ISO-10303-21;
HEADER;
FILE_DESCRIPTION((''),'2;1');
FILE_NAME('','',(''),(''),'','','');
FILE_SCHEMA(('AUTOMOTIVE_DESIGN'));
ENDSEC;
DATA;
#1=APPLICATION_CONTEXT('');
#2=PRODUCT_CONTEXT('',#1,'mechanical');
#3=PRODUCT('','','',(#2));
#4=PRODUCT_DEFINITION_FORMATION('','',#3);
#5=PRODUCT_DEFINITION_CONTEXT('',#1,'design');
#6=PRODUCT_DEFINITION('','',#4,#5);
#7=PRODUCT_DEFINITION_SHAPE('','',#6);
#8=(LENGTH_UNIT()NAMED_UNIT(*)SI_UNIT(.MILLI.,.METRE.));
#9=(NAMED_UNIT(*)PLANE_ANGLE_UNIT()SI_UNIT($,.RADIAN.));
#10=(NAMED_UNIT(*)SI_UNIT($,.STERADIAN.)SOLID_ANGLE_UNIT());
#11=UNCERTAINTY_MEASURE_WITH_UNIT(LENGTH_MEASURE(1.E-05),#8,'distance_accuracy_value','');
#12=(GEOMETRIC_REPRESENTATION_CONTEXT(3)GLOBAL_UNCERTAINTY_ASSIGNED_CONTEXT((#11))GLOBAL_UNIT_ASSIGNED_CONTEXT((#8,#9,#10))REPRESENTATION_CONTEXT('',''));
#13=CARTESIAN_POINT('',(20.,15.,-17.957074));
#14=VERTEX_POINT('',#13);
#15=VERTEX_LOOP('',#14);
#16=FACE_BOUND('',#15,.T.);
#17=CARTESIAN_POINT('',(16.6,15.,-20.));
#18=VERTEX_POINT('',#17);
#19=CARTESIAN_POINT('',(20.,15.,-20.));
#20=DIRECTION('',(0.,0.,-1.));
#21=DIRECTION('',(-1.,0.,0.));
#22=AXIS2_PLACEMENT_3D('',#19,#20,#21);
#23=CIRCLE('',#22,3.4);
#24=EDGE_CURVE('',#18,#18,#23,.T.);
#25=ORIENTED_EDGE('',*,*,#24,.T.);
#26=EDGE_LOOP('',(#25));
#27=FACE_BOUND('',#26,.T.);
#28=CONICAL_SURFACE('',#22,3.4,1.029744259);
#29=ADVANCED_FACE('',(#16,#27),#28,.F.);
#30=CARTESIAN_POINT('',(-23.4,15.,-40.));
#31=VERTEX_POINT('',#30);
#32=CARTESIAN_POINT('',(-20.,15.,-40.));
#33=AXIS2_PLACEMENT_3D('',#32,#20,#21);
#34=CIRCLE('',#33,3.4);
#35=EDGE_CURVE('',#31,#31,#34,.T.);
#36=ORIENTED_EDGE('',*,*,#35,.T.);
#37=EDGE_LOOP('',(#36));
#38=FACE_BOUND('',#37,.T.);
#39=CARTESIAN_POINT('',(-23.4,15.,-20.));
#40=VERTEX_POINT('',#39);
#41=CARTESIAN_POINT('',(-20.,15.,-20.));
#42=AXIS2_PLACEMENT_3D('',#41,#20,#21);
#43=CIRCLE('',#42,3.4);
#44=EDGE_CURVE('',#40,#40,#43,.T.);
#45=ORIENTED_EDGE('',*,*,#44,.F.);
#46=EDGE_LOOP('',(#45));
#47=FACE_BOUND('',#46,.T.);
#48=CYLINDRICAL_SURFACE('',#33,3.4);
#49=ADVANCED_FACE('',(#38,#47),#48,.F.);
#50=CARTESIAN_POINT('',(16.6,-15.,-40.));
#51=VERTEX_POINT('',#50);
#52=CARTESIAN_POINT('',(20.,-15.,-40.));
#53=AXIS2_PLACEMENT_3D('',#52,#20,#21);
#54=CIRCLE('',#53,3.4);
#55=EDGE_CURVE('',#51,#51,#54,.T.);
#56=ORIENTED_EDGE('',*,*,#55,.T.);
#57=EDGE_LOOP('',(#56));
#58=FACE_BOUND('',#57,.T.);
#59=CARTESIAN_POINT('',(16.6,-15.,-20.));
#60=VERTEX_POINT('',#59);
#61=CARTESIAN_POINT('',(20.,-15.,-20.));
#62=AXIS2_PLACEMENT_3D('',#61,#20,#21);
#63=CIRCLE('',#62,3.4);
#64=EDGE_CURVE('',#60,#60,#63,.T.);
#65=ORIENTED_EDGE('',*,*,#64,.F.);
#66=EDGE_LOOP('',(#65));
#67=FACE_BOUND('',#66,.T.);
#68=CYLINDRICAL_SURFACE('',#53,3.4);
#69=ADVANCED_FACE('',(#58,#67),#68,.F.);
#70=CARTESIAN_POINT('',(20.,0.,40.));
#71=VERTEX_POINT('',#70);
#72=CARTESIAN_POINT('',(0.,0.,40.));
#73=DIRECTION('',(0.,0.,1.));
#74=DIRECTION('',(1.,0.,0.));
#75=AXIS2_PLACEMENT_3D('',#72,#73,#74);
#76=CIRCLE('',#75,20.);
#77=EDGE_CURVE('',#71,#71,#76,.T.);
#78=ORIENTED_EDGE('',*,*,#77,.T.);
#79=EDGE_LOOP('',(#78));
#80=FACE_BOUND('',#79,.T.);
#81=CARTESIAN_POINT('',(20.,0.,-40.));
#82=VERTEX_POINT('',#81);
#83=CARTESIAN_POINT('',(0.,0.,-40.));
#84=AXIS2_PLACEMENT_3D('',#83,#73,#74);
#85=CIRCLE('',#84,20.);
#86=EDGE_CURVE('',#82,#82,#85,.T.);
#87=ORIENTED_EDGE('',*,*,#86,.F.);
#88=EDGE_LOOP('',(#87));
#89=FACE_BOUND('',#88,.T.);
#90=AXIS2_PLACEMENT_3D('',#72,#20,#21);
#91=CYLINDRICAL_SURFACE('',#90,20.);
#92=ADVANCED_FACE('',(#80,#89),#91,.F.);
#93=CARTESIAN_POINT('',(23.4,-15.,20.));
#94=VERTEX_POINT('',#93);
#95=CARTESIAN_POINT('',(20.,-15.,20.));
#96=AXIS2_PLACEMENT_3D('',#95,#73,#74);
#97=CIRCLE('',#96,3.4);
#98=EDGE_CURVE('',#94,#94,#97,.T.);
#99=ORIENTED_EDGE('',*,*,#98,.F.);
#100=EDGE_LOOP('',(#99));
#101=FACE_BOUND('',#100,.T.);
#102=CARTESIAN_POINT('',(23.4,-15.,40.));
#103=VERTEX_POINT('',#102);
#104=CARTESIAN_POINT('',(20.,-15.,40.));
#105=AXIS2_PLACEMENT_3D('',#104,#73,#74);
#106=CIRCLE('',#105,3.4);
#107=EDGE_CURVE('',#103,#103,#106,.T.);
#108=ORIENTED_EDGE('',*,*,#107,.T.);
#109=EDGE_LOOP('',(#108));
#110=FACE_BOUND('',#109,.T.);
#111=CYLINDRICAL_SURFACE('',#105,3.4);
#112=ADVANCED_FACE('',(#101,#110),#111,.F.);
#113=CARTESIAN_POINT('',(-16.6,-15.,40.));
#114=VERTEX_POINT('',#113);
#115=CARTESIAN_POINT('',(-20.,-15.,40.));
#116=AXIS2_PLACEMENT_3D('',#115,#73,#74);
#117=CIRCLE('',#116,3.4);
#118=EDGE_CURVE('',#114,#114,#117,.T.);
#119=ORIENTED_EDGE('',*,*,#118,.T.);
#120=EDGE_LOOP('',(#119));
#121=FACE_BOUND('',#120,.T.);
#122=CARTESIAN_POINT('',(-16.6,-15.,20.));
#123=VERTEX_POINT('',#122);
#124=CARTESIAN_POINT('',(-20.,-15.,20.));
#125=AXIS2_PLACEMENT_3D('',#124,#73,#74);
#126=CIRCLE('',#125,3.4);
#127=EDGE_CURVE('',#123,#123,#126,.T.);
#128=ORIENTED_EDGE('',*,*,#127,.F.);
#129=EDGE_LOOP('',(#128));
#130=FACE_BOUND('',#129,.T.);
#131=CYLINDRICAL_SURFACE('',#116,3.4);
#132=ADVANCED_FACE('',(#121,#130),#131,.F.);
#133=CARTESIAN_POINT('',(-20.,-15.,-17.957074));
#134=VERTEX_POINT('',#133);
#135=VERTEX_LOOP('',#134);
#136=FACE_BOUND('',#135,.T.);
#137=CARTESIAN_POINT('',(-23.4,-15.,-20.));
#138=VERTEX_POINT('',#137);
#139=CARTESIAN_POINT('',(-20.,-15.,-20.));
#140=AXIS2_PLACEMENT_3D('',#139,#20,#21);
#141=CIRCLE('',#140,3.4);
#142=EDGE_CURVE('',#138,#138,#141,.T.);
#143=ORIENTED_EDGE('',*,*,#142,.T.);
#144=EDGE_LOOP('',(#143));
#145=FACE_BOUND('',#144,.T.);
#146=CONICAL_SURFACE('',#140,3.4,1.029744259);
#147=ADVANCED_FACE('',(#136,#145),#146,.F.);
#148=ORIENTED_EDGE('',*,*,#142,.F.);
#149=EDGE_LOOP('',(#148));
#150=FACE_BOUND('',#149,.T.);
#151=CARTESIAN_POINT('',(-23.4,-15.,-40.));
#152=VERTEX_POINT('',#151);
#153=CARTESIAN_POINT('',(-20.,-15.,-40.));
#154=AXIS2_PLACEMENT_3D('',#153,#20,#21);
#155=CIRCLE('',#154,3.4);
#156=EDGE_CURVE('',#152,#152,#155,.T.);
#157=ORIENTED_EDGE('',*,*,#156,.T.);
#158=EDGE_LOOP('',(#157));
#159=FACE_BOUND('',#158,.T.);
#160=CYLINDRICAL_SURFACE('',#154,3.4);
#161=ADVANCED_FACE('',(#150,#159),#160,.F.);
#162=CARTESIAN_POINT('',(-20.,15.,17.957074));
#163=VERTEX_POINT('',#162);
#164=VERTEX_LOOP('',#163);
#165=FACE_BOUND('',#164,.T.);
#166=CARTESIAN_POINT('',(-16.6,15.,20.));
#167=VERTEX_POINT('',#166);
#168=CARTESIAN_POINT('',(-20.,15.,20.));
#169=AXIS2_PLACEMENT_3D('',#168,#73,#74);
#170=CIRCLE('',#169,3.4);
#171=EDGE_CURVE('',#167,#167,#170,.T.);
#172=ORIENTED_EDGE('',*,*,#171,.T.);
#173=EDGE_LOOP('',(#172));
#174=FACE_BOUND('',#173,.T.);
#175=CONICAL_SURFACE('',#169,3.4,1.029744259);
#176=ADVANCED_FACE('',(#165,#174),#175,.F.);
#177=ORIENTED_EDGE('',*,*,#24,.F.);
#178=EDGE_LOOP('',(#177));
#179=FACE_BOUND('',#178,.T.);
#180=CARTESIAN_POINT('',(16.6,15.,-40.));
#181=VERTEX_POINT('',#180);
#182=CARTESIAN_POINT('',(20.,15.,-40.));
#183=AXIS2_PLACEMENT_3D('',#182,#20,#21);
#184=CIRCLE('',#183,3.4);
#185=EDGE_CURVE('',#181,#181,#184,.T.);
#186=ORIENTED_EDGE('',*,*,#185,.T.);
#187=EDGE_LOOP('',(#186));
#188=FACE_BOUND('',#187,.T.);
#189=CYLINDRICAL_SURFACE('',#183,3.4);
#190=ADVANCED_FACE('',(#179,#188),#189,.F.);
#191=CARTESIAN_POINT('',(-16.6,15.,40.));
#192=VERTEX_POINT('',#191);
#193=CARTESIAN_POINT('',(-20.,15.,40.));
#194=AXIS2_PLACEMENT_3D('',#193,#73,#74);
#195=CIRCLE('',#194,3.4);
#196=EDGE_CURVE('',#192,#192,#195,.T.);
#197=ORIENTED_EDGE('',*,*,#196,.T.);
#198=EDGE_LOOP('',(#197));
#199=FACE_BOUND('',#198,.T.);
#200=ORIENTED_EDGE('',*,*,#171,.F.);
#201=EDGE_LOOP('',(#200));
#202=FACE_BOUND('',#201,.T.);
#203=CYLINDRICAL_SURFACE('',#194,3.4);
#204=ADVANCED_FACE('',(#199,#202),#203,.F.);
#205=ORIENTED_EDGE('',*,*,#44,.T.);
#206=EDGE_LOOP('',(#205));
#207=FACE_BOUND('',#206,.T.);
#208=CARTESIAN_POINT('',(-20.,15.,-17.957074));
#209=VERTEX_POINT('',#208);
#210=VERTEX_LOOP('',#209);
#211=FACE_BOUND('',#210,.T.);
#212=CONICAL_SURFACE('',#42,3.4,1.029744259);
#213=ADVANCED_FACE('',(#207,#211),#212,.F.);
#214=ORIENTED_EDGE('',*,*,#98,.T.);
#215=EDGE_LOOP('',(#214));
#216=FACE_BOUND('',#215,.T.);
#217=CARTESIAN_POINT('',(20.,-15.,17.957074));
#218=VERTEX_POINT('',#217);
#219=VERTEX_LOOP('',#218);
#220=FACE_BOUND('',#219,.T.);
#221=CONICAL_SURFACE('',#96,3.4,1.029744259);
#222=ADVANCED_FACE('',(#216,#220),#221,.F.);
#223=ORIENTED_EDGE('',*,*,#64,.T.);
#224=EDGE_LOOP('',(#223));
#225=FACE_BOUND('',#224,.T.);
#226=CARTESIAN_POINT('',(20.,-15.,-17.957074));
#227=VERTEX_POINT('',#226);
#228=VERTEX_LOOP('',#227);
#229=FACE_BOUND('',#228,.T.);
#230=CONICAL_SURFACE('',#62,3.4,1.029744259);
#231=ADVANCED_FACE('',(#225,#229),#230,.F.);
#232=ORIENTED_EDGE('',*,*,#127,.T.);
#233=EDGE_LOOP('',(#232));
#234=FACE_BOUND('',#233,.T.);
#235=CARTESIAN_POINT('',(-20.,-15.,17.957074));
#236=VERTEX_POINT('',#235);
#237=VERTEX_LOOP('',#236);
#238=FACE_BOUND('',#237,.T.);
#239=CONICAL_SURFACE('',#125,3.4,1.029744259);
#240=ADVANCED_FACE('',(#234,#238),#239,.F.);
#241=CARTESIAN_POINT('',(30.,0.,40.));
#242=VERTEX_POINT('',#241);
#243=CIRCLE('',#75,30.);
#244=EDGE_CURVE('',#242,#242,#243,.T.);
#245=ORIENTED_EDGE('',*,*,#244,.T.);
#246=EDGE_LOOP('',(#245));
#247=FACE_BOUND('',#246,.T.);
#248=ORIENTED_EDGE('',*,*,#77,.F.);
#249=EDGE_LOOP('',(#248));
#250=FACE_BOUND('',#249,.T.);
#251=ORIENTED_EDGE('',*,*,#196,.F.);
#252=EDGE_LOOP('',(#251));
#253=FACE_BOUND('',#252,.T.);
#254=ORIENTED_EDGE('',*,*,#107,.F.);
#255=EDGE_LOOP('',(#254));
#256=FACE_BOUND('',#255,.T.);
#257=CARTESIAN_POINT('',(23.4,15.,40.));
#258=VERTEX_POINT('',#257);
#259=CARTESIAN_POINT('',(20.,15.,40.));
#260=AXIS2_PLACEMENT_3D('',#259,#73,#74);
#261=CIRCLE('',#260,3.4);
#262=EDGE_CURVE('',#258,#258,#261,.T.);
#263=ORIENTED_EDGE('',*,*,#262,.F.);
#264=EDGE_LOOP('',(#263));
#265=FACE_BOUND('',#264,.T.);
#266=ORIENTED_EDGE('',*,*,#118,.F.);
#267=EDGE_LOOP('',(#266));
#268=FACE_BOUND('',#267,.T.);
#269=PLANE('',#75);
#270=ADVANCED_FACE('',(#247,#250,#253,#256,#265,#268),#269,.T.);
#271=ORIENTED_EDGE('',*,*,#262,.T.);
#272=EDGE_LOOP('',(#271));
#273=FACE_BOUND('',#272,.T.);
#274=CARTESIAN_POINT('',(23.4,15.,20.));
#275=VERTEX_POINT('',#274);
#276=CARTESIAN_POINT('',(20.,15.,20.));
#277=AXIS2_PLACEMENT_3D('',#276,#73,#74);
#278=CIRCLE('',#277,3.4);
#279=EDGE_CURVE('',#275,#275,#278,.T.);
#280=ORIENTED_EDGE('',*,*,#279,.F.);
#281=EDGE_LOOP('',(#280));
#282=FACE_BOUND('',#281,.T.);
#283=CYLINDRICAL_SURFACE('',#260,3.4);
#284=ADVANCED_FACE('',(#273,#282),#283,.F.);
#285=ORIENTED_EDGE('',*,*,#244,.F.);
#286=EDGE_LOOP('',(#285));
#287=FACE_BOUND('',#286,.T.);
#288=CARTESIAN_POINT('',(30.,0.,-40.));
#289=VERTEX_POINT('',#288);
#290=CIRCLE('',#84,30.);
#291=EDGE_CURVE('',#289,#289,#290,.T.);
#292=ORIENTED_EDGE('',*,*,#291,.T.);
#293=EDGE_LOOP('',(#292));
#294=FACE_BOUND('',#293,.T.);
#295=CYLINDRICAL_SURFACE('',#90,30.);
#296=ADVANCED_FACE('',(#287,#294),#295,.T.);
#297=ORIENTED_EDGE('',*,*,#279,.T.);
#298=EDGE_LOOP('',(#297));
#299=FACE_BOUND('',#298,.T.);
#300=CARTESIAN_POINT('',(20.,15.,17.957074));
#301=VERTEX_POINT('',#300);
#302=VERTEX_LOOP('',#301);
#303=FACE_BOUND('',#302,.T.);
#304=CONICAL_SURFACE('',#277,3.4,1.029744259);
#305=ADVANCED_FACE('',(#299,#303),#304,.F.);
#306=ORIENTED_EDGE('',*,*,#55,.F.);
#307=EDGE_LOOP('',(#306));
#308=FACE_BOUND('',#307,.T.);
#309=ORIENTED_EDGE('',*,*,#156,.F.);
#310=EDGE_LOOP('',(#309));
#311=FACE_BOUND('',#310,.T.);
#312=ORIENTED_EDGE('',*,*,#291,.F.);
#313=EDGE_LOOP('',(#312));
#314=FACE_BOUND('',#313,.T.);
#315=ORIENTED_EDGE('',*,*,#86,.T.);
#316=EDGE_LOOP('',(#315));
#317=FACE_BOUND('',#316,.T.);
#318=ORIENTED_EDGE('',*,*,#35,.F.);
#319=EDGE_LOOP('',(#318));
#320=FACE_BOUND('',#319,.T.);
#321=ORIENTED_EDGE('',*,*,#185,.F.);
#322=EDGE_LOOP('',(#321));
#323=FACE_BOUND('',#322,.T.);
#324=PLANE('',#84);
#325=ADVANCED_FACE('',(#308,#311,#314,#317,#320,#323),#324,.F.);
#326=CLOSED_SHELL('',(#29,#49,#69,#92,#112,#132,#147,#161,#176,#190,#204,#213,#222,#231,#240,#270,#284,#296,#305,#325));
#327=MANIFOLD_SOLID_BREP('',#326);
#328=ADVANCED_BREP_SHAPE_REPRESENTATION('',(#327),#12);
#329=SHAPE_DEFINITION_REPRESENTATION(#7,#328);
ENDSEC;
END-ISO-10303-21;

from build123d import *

# Parameters (mm, degrees)
SKETCH1_R                             = 30
SKETCH1_R_2                           = 20
BOSS_EXTRUDE1_DEPTH                   = 40
TAP_DRILL_FOR_M8X1_25_TAP1_AT_2_COUNT = 2
TAP_DRILL_FOR_M8X1_25_TAP1_AT_2_PITCH = 40
TAP_DRILL_FOR_M8X1_25_TAP1_AT_3_COUNT = 2
TAP_DRILL_FOR_M8X1_25_TAP1_AT_3_PITCH = 50
TAP_DRILL_FOR_M8X1_25_TAP1_AT_4_COUNT = 2
TAP_DRILL_FOR_M8X1_25_TAP1_AT_4_PITCH = 30


with BuildPart() as part:
    # Sketch1 → Boss-Extrude1 (new, symmetric)
    with BuildSketch(Plane.XY):
        Circle(SKETCH1_R)
        Circle(SKETCH1_R_2, mode=Mode.SUBTRACT)
    extrude(amount=BOSS_EXTRUDE1_DEPTH, both=True)

    # Sketch12 → Tap Drill for M8x1.25 Tap1 (revolve, cut)
    with BuildSketch(Plane(origin=(-20, 15, 40), x_dir=(0, -1, 0), z_dir=(1, 0, 0))):
        Polygon((0, 0), (0, 22.042926105), (3.4, 20), (3.4, 0), align=None)
    tap_drill_for_m8x1_25_tap1 = revolve(axis=Axis((-20, 15, 46.35), (0, 0, -1)), mode=Mode.SUBTRACT)

    # Tap Drill for M8x1.25 Tap1 at 2: Tap Drill for M8x1.25 Tap1 ×2
    with Locations(*[(i * TAP_DRILL_FOR_M8X1_25_TAP1_AT_2_PITCH, 0, 0) for i in range(1, TAP_DRILL_FOR_M8X1_25_TAP1_AT_2_COUNT)]):
        add(tap_drill_for_m8x1_25_tap1, mode=Mode.SUBTRACT)

    # Tap Drill for M8x1.25 Tap1 at 3: Tap Drill for M8x1.25 Tap1 ×2
    with Locations(*[Vector(0.7999999999999999, -0.6000000000000001, 0) * (i * TAP_DRILL_FOR_M8X1_25_TAP1_AT_3_PITCH) for i in range(1, TAP_DRILL_FOR_M8X1_25_TAP1_AT_3_COUNT)]):
        add(tap_drill_for_m8x1_25_tap1, mode=Mode.SUBTRACT)

    # Tap Drill for M8x1.25 Tap1 at 4: Tap Drill for M8x1.25 Tap1 ×2
    with Locations(*[(0, -i * TAP_DRILL_FOR_M8X1_25_TAP1_AT_4_PITCH, 0) for i in range(1, TAP_DRILL_FOR_M8X1_25_TAP1_AT_4_COUNT)]):
        add(tap_drill_for_m8x1_25_tap1, mode=Mode.SUBTRACT)

    # Mirror1: Tap Drill for M8x1.25 Tap1 across plane
    add(tap_drill_for_m8x1_25_tap1.mirror(Plane.XY), mode=Mode.SUBTRACT)

    # Mirror1 copy 1 sketch → Mirror1 copy 1 (revolve, cut)
    with BuildSketch(Plane(origin=(20, 15, -40), x_dir=(0, -1, 0), z_dir=(1, 0, 0))):
        Polygon((0, 0), (0, -22.042926105), (3.4, -20), (3.4, 0), align=None)
    revolve(axis=Axis((20, 15, -46.35), (0, 0, -1)), mode=Mode.SUBTRACT)

    # Mirror1 copy 2 sketch → Mirror1 copy 2 (revolve, cut)
    with BuildSketch(Plane(origin=(20, -15, -40), x_dir=(0, -1, 0), z_dir=(1, 0, 0))):
        Polygon((0, 0), (0, -22.042926105), (3.4, -20), (3.4, 0), align=None)
    revolve(axis=Axis((20, -15, -46.35), (0, 0, -1)), mode=Mode.SUBTRACT)

    # Mirror1 copy 3 sketch → Mirror1 copy 3 (revolve, cut)
    with BuildSketch(Plane(origin=(-20, -15, -40), x_dir=(0, -1, 0), z_dir=(1, 0, 0))):
        Polygon((0, 0), (0, -22.042926105), (3.4, -20), (3.4, 0), align=None)
    revolve(axis=Axis((-20, -15, -46.35), (0, 0, -1)), mode=Mode.SUBTRACT)


solid = part.part
